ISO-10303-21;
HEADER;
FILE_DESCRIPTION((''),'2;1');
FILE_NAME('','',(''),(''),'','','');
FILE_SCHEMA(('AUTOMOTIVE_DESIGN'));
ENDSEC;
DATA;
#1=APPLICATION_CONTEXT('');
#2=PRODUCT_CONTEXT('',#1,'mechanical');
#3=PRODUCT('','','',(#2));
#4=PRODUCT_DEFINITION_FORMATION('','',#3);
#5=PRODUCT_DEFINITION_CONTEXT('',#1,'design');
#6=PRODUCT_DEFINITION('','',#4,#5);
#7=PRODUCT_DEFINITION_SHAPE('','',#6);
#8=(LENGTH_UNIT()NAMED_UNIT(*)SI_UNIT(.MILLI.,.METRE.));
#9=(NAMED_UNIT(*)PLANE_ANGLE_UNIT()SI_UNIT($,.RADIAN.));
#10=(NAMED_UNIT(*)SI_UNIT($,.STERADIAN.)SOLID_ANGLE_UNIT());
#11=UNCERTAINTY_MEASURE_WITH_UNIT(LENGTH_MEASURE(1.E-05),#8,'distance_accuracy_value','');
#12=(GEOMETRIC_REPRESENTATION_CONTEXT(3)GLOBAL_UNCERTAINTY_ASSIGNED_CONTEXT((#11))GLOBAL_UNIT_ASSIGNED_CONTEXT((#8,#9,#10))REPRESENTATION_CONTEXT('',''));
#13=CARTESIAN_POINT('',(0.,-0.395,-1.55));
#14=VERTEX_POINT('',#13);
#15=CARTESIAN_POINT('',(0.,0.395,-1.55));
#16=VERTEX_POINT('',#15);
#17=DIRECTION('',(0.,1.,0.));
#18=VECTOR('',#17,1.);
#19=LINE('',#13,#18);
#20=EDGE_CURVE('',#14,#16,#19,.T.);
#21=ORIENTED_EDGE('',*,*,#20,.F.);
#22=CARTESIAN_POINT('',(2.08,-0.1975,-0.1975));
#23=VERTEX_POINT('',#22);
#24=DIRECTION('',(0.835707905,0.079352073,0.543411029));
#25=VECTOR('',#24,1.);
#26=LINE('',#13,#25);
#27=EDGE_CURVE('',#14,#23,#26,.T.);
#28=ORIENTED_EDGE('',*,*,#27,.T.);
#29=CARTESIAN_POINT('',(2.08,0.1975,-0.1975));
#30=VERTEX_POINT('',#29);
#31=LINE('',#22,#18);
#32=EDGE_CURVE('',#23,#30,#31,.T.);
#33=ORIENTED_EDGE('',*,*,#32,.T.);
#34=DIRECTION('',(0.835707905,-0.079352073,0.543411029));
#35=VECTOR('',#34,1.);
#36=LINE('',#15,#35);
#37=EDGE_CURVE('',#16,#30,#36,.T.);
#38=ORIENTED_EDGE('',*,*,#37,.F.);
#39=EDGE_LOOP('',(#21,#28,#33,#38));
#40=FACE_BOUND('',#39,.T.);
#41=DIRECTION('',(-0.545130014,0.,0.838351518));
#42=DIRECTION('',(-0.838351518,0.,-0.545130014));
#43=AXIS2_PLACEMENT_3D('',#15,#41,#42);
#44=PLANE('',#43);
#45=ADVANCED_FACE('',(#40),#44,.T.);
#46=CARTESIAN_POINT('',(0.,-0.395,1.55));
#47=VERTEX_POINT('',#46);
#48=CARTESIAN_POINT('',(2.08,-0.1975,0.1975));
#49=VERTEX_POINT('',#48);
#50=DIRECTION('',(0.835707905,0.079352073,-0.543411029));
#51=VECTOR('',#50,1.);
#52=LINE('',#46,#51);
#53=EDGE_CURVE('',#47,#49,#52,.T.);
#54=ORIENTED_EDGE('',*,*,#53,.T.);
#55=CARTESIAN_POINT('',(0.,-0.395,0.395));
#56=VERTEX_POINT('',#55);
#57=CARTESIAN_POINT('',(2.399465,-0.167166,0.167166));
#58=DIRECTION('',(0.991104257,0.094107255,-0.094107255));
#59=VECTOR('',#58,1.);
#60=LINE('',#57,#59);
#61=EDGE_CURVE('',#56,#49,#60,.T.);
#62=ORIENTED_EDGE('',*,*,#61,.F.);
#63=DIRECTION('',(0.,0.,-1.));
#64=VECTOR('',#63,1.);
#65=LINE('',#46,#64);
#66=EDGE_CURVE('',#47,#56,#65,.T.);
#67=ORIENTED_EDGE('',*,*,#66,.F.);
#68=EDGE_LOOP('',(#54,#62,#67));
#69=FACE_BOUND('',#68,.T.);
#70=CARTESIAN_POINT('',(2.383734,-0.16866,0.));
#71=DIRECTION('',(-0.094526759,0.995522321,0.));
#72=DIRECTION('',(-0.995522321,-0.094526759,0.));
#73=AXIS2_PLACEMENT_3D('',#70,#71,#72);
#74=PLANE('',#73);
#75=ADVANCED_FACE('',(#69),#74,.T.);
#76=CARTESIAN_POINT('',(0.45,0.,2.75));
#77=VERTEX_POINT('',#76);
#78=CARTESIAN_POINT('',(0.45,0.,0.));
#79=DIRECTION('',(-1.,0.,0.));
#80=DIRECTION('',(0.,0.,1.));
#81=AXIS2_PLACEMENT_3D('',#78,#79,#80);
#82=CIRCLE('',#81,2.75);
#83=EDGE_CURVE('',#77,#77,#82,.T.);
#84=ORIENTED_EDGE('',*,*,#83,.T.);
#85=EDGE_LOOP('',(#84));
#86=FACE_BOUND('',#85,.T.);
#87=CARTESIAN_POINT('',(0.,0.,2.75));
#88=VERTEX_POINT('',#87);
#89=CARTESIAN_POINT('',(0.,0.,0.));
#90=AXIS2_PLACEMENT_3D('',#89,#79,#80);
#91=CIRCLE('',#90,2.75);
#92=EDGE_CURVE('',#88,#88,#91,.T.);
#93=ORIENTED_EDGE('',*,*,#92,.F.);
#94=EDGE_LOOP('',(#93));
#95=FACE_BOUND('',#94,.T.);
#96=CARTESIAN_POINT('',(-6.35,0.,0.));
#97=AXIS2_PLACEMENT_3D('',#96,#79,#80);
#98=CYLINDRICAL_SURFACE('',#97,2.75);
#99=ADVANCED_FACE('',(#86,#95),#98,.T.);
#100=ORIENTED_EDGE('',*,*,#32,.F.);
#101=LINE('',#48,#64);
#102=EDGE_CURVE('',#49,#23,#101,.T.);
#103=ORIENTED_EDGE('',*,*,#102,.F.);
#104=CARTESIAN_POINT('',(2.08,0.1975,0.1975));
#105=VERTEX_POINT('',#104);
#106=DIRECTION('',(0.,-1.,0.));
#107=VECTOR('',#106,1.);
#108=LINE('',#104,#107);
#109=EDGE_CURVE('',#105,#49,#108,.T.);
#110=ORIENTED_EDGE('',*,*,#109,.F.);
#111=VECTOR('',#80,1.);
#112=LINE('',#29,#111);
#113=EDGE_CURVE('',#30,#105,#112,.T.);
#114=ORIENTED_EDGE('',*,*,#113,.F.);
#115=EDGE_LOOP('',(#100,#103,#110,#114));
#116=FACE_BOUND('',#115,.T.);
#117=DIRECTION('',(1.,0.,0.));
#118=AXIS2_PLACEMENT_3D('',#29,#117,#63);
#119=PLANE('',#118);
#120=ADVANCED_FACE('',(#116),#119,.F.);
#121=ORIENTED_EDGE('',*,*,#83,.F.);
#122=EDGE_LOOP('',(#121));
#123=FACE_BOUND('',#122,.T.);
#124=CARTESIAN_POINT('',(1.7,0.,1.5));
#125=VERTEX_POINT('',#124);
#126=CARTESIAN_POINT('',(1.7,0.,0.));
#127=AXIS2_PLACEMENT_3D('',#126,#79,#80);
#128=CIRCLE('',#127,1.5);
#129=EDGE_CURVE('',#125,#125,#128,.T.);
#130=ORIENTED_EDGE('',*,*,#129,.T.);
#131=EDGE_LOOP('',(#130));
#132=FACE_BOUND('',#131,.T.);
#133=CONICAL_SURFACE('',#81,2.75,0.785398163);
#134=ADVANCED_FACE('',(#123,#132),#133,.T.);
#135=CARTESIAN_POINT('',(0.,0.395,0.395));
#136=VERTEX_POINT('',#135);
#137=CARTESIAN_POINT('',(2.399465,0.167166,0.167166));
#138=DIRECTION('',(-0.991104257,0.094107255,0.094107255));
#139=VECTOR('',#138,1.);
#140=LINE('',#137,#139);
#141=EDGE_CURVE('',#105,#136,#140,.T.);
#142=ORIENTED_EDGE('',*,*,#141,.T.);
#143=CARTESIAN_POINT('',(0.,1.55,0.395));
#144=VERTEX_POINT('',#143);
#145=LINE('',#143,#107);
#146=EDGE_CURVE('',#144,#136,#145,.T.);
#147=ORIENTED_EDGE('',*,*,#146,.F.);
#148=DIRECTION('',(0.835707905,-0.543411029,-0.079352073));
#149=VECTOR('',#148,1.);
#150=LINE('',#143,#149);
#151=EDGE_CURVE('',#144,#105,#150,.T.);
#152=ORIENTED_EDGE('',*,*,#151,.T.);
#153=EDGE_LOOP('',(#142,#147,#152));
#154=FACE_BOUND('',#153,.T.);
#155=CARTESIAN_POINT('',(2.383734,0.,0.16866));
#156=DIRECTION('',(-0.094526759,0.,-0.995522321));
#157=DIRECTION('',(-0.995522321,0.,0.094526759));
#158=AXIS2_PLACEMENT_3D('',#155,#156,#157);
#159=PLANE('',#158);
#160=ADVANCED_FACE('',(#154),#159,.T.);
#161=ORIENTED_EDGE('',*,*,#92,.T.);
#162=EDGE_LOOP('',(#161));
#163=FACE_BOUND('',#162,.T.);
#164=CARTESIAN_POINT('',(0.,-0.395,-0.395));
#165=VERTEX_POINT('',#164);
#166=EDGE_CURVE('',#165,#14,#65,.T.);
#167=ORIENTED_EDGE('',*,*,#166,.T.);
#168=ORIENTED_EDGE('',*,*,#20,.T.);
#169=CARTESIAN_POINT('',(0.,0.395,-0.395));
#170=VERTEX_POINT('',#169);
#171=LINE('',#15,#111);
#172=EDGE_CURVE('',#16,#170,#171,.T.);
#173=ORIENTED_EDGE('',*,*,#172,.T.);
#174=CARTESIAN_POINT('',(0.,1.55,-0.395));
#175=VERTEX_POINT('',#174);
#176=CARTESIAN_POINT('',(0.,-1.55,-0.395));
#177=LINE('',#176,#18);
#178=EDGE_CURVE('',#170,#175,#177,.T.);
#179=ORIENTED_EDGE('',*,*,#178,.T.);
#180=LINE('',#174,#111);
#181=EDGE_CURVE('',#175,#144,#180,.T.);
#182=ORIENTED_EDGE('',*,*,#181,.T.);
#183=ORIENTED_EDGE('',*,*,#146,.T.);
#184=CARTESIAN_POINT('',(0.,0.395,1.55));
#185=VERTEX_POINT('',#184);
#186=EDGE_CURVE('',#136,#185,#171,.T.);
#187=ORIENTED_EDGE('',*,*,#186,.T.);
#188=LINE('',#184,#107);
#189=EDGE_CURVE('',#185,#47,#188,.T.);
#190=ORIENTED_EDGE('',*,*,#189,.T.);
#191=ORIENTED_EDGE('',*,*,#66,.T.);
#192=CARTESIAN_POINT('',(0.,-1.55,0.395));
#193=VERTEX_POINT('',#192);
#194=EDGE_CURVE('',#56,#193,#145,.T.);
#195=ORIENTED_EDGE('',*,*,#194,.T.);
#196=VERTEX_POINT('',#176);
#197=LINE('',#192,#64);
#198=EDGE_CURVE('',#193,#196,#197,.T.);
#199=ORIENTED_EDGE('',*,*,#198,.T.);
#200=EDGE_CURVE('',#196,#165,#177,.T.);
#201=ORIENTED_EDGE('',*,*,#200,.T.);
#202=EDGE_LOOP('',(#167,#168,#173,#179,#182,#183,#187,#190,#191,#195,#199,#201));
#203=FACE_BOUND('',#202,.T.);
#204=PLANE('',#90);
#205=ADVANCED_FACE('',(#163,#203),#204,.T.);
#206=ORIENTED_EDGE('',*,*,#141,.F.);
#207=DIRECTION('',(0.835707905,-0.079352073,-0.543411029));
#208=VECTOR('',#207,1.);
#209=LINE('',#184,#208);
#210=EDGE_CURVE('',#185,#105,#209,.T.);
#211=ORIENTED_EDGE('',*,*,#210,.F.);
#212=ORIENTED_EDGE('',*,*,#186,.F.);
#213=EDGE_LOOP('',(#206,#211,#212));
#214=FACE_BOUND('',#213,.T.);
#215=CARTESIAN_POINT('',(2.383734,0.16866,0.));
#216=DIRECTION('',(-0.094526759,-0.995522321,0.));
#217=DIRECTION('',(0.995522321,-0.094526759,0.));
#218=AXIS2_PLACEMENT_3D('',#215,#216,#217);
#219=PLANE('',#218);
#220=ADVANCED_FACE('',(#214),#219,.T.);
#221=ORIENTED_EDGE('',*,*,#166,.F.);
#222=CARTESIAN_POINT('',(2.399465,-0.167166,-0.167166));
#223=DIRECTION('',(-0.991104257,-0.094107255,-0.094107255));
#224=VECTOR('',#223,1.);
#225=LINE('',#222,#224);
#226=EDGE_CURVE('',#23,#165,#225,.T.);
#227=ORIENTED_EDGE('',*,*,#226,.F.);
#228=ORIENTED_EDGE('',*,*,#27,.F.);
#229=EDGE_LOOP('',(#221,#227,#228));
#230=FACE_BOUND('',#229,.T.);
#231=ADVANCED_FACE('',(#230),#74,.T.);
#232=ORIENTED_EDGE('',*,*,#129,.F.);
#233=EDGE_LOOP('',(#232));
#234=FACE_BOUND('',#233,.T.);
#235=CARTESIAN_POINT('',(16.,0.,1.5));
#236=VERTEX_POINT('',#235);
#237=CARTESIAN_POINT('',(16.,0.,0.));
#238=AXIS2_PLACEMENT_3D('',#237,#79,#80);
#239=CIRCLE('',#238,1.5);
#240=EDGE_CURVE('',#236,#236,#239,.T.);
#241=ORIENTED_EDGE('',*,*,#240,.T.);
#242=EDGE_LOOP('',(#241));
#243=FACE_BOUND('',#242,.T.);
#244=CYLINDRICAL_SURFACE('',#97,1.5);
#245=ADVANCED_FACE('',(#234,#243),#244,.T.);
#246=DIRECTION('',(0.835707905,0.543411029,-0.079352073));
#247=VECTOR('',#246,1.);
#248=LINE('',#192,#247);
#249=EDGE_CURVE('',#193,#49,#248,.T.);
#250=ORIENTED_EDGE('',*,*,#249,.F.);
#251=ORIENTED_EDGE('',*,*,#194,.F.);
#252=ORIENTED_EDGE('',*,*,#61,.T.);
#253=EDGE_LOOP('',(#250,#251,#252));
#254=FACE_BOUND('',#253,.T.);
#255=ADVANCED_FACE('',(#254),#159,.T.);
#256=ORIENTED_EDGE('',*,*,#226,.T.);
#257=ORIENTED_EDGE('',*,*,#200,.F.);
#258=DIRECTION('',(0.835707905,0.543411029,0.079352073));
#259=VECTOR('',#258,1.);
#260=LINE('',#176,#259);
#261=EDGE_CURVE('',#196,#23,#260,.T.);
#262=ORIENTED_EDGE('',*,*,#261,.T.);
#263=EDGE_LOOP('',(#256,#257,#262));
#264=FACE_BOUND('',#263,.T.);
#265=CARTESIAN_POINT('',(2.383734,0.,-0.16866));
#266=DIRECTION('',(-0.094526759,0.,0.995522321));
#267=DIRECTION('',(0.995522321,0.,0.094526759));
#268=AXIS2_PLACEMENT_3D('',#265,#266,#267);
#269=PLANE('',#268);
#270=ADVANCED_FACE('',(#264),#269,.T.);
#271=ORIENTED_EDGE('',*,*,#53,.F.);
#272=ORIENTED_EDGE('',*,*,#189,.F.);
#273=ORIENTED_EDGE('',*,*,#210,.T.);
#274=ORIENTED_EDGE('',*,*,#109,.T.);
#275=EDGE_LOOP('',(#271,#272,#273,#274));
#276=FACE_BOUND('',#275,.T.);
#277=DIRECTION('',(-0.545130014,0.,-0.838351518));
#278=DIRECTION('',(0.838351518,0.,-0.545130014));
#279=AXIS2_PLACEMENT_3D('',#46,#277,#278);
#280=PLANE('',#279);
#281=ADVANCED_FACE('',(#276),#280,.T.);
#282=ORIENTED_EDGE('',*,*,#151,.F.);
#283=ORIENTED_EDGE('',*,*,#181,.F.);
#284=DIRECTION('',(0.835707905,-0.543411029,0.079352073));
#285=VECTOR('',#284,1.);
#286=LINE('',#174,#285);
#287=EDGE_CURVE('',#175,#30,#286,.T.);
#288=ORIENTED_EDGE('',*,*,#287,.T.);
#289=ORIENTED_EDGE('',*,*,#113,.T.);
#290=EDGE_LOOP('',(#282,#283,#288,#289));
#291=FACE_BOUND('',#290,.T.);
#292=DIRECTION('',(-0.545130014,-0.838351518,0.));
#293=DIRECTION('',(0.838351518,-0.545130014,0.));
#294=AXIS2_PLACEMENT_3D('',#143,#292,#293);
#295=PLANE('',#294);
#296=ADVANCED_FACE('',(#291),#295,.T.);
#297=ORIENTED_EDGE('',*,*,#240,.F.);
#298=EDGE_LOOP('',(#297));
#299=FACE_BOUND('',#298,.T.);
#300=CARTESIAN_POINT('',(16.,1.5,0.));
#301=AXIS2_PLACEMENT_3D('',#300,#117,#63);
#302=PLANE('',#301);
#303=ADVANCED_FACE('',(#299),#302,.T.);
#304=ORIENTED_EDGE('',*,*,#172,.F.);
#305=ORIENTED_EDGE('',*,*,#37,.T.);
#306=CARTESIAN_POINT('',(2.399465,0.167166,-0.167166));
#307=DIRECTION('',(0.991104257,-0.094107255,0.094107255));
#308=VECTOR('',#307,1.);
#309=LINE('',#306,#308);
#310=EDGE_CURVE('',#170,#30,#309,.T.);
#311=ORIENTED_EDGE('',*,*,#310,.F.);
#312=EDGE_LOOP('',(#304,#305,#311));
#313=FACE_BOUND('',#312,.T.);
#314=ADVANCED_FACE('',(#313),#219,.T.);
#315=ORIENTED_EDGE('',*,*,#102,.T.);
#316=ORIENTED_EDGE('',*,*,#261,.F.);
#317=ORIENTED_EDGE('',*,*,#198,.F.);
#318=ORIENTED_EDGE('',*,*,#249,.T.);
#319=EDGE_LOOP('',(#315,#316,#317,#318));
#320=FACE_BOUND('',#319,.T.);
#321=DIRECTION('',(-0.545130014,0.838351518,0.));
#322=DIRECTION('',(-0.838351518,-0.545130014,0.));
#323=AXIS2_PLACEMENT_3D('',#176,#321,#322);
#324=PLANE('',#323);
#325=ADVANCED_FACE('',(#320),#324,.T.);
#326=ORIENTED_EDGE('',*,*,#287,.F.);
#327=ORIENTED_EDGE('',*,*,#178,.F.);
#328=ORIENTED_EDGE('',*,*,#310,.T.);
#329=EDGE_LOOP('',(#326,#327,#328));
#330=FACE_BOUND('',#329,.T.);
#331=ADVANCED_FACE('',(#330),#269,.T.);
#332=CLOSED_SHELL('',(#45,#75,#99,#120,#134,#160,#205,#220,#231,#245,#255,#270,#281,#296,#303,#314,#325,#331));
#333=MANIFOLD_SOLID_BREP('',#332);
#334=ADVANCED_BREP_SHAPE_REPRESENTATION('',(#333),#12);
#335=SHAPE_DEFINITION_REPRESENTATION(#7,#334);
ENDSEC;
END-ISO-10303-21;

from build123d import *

# Parameters (mm, degrees)
SKETCH3_W         = 0.79
SKETCH3_H         = 3.1
SKETCH4_W         = 0.395
SKETCH4_H         = 0.395
CIRPATTERN1_COUNT = 2
CIRPATTERN1_ANGLE = 90


with BuildPart() as part:
    # BodySke → Base-Revolve (revolve)
    with BuildSketch(Plane.XY):
        Polygon((0, 0), (0, 2.75), (0.45, 2.75), (1.7, 1.5), (16, 1.5), (16, 0), align=None)
    revolve(axis=Axis((-6.35, 0, 0), (1, 0, 0)))

    # Sketch3 → Cross section 0
    with BuildSketch(Plane.ZY):
        Rectangle(SKETCH3_W, SKETCH3_H)
    # Sketch4 → Cross section 1
    with BuildSketch(Plane.ZY.offset(-2.08)):
        Rectangle(SKETCH4_W, SKETCH4_H)
    cross = loft(mode=Mode.SUBTRACT)

    # CirPattern1: Cross ×2 about axis
    cirpattern1_axis = Axis((0, 0, 0), (1, 0, 0))
    for i in range(1, CIRPATTERN1_COUNT):
        add(cross.rotate(cirpattern1_axis, i * CIRPATTERN1_ANGLE / (CIRPATTERN1_COUNT - 1)), mode=Mode.SUBTRACT)


solid = part.part
